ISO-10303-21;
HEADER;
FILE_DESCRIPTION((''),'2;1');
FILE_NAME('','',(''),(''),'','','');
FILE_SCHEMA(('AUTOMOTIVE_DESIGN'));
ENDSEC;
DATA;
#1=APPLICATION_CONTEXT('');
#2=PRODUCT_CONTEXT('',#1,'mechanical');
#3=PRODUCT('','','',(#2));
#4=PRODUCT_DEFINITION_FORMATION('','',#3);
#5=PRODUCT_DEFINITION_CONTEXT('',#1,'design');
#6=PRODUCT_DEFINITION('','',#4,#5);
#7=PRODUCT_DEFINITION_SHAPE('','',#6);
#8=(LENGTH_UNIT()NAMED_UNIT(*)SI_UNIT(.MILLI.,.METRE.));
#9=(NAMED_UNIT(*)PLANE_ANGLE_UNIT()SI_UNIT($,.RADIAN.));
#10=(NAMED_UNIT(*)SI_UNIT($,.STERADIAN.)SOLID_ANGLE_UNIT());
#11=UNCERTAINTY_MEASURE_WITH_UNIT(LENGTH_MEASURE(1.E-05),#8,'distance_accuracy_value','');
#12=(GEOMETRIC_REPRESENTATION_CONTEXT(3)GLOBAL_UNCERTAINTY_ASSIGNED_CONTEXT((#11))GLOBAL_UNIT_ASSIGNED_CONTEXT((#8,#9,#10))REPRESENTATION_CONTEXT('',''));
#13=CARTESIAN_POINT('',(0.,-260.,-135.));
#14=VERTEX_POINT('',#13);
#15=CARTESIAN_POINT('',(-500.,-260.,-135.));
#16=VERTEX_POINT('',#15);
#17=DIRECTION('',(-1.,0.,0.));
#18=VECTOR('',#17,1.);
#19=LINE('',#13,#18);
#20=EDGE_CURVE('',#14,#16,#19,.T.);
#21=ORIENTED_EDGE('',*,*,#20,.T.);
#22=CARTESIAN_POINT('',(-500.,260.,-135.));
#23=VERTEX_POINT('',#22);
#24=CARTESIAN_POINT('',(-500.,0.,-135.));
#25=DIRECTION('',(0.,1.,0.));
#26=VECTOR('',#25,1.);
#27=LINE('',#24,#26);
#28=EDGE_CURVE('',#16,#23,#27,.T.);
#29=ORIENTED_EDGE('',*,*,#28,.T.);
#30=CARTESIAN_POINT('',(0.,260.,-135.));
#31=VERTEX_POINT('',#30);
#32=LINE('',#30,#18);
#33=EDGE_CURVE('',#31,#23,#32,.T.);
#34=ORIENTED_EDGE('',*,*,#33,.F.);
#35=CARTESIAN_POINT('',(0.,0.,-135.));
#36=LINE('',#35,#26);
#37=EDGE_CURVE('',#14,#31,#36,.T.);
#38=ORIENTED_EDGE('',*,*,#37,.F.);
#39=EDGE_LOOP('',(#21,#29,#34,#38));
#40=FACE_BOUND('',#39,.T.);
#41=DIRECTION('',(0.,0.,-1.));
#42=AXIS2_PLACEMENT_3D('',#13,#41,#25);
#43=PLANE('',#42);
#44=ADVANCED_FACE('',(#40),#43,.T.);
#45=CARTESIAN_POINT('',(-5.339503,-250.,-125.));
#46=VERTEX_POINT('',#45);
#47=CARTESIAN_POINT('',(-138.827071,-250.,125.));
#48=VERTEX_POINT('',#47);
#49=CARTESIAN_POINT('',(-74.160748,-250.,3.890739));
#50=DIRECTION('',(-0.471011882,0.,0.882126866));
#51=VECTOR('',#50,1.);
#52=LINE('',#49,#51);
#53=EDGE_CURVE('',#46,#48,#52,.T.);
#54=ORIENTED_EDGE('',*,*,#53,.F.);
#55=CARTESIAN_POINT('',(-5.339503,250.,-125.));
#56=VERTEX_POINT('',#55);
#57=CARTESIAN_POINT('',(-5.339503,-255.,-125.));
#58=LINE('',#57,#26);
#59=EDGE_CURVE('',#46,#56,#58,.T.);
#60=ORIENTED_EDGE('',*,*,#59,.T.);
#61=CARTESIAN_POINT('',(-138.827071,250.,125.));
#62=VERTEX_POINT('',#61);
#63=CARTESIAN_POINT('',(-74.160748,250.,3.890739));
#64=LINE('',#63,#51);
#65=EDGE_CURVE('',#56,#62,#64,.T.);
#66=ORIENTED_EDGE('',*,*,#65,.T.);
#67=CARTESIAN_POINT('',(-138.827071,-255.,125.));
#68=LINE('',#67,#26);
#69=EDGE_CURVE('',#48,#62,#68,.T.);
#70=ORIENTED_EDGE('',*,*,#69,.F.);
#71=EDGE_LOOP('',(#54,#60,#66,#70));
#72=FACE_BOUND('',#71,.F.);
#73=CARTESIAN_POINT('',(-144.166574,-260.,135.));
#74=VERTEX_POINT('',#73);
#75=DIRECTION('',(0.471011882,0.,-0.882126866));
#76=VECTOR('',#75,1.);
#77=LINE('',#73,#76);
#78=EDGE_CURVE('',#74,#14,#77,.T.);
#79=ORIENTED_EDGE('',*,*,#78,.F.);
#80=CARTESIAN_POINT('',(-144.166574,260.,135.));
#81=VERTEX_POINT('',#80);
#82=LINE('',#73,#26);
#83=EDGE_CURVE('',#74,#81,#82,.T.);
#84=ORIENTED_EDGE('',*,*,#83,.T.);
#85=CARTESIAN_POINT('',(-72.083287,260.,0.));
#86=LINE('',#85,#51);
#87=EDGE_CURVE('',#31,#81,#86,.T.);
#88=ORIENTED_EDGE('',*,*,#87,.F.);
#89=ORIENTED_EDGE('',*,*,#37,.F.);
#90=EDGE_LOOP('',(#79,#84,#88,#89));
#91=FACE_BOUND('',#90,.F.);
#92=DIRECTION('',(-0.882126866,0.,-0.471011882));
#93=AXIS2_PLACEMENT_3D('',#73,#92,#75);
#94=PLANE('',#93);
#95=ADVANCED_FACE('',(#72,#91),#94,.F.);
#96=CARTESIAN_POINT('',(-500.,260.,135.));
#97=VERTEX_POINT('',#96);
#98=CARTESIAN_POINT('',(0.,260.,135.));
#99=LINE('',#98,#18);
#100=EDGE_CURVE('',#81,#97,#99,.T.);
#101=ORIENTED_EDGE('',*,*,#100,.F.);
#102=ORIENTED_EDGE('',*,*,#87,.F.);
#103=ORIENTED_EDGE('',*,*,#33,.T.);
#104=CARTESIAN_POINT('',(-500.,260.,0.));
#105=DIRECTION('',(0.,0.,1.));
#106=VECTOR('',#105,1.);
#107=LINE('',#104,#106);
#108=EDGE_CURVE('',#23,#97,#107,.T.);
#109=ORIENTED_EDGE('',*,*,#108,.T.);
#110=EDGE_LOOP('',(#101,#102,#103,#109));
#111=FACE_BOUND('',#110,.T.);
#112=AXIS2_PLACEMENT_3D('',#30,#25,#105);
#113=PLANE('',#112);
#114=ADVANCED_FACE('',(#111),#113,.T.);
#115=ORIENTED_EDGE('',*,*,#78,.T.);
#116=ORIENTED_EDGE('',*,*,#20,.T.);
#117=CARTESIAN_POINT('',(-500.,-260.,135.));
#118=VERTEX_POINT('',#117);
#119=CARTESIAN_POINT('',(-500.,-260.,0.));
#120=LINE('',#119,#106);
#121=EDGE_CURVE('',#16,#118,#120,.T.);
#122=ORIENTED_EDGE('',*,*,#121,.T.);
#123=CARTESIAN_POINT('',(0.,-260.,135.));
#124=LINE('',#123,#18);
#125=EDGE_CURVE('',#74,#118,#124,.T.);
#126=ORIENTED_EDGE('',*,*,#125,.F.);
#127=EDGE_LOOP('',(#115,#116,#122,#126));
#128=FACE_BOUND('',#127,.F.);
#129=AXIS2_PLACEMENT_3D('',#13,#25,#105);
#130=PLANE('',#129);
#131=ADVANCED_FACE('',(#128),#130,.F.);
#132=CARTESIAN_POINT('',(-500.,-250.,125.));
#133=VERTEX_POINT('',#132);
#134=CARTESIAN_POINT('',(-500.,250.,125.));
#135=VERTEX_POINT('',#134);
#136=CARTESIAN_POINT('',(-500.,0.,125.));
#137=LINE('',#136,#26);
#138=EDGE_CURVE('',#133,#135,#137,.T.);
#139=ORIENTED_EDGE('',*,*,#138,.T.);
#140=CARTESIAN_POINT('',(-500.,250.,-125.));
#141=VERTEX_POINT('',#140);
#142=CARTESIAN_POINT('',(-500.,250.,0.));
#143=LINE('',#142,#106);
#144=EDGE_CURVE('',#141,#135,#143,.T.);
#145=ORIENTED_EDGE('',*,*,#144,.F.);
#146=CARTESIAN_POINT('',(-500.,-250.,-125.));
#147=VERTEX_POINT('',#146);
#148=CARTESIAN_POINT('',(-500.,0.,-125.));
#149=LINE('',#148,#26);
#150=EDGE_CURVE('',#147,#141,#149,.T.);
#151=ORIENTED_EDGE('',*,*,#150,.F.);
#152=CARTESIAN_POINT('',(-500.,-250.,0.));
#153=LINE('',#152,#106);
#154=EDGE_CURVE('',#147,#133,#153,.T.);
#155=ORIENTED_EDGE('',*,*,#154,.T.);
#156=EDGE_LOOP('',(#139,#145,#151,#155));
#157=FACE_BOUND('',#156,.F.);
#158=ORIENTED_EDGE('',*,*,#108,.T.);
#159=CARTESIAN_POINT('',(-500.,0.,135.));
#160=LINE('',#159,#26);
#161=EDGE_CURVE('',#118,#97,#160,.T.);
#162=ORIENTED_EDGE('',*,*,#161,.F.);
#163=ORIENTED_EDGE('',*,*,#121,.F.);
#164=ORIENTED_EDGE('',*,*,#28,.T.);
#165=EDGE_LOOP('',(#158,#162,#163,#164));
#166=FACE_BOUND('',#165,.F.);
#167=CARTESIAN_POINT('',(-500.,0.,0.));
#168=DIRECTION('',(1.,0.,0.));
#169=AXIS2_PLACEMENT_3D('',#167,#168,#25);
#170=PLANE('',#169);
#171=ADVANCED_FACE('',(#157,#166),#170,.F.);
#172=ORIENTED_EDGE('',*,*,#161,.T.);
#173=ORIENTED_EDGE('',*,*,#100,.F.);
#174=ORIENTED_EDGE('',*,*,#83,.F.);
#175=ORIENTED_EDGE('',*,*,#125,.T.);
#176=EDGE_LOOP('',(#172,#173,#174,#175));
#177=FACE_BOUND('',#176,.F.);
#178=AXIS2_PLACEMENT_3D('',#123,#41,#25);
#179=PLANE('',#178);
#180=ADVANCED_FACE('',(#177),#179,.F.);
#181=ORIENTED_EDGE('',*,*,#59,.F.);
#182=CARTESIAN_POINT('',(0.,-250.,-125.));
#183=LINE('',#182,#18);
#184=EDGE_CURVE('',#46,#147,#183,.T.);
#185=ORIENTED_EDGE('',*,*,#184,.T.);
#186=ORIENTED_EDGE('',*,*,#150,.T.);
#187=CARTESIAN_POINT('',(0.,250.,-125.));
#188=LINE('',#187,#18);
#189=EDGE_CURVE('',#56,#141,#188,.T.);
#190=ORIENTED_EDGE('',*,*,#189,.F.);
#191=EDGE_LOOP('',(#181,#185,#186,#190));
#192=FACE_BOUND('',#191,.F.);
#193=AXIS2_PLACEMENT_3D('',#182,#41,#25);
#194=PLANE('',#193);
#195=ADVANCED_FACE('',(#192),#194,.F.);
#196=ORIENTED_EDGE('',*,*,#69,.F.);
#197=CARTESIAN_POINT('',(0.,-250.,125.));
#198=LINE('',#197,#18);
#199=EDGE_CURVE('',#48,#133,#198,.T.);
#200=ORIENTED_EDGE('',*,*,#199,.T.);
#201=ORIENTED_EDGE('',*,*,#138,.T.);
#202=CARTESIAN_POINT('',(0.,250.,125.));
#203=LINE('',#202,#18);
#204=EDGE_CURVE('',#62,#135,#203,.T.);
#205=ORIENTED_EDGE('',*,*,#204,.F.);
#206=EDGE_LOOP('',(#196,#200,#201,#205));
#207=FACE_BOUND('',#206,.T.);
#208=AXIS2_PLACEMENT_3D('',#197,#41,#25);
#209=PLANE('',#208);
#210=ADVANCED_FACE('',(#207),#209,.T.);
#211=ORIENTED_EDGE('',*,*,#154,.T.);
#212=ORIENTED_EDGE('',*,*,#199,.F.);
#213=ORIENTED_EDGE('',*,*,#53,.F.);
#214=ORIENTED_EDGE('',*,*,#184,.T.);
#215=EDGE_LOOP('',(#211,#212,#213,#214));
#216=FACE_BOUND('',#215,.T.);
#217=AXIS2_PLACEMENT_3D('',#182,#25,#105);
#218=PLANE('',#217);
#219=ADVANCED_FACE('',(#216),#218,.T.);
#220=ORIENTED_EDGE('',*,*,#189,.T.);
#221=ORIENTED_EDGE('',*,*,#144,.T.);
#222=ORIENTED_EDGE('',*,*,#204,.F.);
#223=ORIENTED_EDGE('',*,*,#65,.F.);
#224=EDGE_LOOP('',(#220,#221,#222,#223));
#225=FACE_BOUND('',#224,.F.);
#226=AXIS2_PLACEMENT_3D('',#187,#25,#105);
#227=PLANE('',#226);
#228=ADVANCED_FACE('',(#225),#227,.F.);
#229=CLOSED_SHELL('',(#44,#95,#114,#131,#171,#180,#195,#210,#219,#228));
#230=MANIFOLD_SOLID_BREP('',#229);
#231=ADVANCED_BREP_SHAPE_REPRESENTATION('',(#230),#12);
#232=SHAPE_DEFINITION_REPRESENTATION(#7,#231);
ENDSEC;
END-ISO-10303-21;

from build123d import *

# Parameters (mm, degrees)
F0_W     = 520
F0_H     = 270
F1_DEPTH = 500
F2_W     = 500
F2_H     = 250
F3_DEPTH = 500
F5_DEPTH = 600


with BuildPart() as f1:
    # F0 (on Right) → F1 (new body)
    with BuildSketch(Plane.YZ):
        Rectangle(F0_W, F0_H)
    extrude(amount=-F1_DEPTH)

    # F2 (on face) → F3 (cut)
    with BuildSketch(Plane.YZ):
        Rectangle(F2_W, F2_H)
    extrude(amount=-F3_DEPTH, mode=Mode.SUBTRACT)

    # F4 (on face) → F5 (cut)
    with BuildSketch(Plane.XZ.offset(260)):
        Polygon((-144.166574, 135), (0, -135), (0, 135), align=None)
    extrude(amount=-F5_DEPTH, mode=Mode.SUBTRACT)


solid = f1.part
